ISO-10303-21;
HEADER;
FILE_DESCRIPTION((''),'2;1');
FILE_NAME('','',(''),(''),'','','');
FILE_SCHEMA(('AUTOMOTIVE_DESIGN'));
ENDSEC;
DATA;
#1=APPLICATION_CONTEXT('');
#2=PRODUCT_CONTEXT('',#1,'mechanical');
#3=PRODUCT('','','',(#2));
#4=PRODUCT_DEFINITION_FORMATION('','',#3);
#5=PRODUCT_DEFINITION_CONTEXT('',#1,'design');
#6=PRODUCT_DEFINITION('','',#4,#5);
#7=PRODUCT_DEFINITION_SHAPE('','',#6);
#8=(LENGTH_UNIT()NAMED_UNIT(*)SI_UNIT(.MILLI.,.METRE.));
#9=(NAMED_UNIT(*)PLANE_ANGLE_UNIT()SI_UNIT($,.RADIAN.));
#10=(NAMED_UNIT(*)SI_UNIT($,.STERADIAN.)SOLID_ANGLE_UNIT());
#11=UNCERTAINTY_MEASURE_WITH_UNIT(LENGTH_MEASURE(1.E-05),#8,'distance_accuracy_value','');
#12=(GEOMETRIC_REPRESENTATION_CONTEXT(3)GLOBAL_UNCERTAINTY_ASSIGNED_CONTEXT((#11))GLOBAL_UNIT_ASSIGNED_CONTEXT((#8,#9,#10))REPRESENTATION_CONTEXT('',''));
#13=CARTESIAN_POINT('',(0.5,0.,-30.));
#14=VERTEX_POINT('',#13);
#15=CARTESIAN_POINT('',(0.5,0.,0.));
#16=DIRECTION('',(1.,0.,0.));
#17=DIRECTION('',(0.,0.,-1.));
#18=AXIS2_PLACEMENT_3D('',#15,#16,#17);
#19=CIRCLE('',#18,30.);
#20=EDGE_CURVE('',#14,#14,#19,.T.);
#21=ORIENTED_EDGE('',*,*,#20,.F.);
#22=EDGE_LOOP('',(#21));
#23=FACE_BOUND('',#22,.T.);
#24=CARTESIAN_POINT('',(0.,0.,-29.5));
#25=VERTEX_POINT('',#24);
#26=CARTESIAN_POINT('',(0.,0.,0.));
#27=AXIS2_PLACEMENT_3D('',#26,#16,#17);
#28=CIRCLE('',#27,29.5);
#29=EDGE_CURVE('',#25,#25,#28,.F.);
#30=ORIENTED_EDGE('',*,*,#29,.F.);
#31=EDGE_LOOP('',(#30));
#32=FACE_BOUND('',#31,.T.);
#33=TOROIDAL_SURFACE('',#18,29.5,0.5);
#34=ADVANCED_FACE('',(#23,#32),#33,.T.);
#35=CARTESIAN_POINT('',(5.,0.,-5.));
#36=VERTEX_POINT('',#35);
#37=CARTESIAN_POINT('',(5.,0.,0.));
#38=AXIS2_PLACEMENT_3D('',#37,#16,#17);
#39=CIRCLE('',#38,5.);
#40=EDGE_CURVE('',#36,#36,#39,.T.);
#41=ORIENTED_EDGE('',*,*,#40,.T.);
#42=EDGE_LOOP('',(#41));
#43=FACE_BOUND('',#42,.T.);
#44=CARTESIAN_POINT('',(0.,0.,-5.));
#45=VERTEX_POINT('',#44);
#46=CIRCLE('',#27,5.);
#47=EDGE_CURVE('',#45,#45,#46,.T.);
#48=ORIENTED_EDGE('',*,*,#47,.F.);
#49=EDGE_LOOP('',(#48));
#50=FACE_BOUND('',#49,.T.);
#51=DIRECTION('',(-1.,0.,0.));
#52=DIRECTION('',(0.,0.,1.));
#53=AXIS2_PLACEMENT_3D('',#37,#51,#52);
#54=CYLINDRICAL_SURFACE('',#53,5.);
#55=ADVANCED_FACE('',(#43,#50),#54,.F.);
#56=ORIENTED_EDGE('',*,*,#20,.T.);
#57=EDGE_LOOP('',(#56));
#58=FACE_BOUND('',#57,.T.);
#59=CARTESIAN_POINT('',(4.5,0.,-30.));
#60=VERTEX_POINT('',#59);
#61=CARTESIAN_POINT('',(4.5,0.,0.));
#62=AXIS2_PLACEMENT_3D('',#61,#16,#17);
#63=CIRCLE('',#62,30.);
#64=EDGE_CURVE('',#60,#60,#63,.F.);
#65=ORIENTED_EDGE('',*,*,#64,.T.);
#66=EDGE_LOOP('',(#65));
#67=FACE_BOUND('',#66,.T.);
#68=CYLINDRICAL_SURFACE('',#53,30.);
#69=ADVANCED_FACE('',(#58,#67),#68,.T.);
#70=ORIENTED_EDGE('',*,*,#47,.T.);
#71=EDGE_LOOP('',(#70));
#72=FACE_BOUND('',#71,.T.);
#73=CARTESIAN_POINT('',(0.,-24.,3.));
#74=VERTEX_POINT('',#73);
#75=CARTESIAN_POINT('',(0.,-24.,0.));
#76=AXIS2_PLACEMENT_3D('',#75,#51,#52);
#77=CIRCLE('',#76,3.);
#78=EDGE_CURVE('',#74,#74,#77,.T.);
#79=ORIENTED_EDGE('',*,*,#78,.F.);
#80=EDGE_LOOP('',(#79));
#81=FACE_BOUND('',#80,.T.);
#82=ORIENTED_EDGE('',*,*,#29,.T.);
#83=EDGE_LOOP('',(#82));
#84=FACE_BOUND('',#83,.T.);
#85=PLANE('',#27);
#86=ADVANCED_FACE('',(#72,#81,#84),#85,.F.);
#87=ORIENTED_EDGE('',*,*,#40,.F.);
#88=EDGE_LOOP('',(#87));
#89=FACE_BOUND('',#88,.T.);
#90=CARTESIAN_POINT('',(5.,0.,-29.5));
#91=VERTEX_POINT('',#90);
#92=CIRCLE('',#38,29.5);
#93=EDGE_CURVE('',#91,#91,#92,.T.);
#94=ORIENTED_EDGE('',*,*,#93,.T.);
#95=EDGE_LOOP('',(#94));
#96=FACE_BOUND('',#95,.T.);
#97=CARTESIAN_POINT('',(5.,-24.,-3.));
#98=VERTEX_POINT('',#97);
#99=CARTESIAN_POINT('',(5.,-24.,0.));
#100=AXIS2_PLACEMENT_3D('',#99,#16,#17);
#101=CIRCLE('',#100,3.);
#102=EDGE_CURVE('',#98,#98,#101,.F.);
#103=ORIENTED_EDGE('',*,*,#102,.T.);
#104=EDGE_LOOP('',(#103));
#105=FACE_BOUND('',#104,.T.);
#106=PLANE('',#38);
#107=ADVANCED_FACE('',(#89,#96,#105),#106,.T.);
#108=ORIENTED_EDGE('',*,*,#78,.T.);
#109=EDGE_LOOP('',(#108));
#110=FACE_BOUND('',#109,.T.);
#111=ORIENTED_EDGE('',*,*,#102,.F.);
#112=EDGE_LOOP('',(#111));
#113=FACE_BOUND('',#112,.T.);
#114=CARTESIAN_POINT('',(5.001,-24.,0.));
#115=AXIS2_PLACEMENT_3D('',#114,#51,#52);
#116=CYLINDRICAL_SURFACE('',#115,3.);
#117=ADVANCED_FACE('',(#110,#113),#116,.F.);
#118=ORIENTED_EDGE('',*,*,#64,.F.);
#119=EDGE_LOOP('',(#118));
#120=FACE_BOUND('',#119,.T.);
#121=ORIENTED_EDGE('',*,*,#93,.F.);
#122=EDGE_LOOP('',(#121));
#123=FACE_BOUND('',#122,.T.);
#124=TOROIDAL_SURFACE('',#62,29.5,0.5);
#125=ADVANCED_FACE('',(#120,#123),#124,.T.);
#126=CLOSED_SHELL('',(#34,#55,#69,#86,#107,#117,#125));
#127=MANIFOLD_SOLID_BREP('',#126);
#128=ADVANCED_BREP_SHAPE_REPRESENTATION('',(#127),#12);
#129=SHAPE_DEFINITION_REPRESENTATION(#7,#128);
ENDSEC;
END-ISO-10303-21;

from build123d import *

# Parameters (mm, degrees)
SKICA1_R                 = 30
SKICA1_R_2               = 5
P_IDAT_VYSUNUT_M1_DEPTH  = 5
ODEBRAT_VYSUNUT_M1_REACH = 7
SKICA2_R                 = 3
ZAOBLIT1_R               = 0.5


with BuildPart() as part:
    # Skica1 → Přidat vysunutím1 (new body)
    with BuildSketch(Plane(origin=(0, 0, 0), x_dir=(0, 0, -1), z_dir=(1, 0, 0))):
        Circle(SKICA1_R)
        Circle(SKICA1_R_2, mode=Mode.SUBTRACT)
    extrude(amount=P_IDAT_VYSUNUT_M1_DEPTH)

    # Skica2 → Odebrat vysunutím1 (cut, up to next)
    with BuildSketch(Plane.ZY, mode=Mode.PRIVATE) as odebrat_vysunut_m1_sk1:
        with Locations((0, -24)):
            Circle(SKICA2_R)
    odebrat_vysunut_m1_tool1 = extrude(odebrat_vysunut_m1_sk1.sketch, amount=-ODEBRAT_VYSUNUT_M1_REACH, mode=Mode.PRIVATE) & part.part
    add(odebrat_vysunut_m1_tool1.solids().sort_by_distance((0, -24, 0))[0], mode=Mode.SUBTRACT)

    # Zaoblit1
    zaoblit1_edges = [part.edges().sort_by_distance(p)[0] for p in [
        (0, 0, 30),
        (5, 0, 30),
    ]]
    fillet(zaoblit1_edges, radius=ZAOBLIT1_R)


solid = part.part
